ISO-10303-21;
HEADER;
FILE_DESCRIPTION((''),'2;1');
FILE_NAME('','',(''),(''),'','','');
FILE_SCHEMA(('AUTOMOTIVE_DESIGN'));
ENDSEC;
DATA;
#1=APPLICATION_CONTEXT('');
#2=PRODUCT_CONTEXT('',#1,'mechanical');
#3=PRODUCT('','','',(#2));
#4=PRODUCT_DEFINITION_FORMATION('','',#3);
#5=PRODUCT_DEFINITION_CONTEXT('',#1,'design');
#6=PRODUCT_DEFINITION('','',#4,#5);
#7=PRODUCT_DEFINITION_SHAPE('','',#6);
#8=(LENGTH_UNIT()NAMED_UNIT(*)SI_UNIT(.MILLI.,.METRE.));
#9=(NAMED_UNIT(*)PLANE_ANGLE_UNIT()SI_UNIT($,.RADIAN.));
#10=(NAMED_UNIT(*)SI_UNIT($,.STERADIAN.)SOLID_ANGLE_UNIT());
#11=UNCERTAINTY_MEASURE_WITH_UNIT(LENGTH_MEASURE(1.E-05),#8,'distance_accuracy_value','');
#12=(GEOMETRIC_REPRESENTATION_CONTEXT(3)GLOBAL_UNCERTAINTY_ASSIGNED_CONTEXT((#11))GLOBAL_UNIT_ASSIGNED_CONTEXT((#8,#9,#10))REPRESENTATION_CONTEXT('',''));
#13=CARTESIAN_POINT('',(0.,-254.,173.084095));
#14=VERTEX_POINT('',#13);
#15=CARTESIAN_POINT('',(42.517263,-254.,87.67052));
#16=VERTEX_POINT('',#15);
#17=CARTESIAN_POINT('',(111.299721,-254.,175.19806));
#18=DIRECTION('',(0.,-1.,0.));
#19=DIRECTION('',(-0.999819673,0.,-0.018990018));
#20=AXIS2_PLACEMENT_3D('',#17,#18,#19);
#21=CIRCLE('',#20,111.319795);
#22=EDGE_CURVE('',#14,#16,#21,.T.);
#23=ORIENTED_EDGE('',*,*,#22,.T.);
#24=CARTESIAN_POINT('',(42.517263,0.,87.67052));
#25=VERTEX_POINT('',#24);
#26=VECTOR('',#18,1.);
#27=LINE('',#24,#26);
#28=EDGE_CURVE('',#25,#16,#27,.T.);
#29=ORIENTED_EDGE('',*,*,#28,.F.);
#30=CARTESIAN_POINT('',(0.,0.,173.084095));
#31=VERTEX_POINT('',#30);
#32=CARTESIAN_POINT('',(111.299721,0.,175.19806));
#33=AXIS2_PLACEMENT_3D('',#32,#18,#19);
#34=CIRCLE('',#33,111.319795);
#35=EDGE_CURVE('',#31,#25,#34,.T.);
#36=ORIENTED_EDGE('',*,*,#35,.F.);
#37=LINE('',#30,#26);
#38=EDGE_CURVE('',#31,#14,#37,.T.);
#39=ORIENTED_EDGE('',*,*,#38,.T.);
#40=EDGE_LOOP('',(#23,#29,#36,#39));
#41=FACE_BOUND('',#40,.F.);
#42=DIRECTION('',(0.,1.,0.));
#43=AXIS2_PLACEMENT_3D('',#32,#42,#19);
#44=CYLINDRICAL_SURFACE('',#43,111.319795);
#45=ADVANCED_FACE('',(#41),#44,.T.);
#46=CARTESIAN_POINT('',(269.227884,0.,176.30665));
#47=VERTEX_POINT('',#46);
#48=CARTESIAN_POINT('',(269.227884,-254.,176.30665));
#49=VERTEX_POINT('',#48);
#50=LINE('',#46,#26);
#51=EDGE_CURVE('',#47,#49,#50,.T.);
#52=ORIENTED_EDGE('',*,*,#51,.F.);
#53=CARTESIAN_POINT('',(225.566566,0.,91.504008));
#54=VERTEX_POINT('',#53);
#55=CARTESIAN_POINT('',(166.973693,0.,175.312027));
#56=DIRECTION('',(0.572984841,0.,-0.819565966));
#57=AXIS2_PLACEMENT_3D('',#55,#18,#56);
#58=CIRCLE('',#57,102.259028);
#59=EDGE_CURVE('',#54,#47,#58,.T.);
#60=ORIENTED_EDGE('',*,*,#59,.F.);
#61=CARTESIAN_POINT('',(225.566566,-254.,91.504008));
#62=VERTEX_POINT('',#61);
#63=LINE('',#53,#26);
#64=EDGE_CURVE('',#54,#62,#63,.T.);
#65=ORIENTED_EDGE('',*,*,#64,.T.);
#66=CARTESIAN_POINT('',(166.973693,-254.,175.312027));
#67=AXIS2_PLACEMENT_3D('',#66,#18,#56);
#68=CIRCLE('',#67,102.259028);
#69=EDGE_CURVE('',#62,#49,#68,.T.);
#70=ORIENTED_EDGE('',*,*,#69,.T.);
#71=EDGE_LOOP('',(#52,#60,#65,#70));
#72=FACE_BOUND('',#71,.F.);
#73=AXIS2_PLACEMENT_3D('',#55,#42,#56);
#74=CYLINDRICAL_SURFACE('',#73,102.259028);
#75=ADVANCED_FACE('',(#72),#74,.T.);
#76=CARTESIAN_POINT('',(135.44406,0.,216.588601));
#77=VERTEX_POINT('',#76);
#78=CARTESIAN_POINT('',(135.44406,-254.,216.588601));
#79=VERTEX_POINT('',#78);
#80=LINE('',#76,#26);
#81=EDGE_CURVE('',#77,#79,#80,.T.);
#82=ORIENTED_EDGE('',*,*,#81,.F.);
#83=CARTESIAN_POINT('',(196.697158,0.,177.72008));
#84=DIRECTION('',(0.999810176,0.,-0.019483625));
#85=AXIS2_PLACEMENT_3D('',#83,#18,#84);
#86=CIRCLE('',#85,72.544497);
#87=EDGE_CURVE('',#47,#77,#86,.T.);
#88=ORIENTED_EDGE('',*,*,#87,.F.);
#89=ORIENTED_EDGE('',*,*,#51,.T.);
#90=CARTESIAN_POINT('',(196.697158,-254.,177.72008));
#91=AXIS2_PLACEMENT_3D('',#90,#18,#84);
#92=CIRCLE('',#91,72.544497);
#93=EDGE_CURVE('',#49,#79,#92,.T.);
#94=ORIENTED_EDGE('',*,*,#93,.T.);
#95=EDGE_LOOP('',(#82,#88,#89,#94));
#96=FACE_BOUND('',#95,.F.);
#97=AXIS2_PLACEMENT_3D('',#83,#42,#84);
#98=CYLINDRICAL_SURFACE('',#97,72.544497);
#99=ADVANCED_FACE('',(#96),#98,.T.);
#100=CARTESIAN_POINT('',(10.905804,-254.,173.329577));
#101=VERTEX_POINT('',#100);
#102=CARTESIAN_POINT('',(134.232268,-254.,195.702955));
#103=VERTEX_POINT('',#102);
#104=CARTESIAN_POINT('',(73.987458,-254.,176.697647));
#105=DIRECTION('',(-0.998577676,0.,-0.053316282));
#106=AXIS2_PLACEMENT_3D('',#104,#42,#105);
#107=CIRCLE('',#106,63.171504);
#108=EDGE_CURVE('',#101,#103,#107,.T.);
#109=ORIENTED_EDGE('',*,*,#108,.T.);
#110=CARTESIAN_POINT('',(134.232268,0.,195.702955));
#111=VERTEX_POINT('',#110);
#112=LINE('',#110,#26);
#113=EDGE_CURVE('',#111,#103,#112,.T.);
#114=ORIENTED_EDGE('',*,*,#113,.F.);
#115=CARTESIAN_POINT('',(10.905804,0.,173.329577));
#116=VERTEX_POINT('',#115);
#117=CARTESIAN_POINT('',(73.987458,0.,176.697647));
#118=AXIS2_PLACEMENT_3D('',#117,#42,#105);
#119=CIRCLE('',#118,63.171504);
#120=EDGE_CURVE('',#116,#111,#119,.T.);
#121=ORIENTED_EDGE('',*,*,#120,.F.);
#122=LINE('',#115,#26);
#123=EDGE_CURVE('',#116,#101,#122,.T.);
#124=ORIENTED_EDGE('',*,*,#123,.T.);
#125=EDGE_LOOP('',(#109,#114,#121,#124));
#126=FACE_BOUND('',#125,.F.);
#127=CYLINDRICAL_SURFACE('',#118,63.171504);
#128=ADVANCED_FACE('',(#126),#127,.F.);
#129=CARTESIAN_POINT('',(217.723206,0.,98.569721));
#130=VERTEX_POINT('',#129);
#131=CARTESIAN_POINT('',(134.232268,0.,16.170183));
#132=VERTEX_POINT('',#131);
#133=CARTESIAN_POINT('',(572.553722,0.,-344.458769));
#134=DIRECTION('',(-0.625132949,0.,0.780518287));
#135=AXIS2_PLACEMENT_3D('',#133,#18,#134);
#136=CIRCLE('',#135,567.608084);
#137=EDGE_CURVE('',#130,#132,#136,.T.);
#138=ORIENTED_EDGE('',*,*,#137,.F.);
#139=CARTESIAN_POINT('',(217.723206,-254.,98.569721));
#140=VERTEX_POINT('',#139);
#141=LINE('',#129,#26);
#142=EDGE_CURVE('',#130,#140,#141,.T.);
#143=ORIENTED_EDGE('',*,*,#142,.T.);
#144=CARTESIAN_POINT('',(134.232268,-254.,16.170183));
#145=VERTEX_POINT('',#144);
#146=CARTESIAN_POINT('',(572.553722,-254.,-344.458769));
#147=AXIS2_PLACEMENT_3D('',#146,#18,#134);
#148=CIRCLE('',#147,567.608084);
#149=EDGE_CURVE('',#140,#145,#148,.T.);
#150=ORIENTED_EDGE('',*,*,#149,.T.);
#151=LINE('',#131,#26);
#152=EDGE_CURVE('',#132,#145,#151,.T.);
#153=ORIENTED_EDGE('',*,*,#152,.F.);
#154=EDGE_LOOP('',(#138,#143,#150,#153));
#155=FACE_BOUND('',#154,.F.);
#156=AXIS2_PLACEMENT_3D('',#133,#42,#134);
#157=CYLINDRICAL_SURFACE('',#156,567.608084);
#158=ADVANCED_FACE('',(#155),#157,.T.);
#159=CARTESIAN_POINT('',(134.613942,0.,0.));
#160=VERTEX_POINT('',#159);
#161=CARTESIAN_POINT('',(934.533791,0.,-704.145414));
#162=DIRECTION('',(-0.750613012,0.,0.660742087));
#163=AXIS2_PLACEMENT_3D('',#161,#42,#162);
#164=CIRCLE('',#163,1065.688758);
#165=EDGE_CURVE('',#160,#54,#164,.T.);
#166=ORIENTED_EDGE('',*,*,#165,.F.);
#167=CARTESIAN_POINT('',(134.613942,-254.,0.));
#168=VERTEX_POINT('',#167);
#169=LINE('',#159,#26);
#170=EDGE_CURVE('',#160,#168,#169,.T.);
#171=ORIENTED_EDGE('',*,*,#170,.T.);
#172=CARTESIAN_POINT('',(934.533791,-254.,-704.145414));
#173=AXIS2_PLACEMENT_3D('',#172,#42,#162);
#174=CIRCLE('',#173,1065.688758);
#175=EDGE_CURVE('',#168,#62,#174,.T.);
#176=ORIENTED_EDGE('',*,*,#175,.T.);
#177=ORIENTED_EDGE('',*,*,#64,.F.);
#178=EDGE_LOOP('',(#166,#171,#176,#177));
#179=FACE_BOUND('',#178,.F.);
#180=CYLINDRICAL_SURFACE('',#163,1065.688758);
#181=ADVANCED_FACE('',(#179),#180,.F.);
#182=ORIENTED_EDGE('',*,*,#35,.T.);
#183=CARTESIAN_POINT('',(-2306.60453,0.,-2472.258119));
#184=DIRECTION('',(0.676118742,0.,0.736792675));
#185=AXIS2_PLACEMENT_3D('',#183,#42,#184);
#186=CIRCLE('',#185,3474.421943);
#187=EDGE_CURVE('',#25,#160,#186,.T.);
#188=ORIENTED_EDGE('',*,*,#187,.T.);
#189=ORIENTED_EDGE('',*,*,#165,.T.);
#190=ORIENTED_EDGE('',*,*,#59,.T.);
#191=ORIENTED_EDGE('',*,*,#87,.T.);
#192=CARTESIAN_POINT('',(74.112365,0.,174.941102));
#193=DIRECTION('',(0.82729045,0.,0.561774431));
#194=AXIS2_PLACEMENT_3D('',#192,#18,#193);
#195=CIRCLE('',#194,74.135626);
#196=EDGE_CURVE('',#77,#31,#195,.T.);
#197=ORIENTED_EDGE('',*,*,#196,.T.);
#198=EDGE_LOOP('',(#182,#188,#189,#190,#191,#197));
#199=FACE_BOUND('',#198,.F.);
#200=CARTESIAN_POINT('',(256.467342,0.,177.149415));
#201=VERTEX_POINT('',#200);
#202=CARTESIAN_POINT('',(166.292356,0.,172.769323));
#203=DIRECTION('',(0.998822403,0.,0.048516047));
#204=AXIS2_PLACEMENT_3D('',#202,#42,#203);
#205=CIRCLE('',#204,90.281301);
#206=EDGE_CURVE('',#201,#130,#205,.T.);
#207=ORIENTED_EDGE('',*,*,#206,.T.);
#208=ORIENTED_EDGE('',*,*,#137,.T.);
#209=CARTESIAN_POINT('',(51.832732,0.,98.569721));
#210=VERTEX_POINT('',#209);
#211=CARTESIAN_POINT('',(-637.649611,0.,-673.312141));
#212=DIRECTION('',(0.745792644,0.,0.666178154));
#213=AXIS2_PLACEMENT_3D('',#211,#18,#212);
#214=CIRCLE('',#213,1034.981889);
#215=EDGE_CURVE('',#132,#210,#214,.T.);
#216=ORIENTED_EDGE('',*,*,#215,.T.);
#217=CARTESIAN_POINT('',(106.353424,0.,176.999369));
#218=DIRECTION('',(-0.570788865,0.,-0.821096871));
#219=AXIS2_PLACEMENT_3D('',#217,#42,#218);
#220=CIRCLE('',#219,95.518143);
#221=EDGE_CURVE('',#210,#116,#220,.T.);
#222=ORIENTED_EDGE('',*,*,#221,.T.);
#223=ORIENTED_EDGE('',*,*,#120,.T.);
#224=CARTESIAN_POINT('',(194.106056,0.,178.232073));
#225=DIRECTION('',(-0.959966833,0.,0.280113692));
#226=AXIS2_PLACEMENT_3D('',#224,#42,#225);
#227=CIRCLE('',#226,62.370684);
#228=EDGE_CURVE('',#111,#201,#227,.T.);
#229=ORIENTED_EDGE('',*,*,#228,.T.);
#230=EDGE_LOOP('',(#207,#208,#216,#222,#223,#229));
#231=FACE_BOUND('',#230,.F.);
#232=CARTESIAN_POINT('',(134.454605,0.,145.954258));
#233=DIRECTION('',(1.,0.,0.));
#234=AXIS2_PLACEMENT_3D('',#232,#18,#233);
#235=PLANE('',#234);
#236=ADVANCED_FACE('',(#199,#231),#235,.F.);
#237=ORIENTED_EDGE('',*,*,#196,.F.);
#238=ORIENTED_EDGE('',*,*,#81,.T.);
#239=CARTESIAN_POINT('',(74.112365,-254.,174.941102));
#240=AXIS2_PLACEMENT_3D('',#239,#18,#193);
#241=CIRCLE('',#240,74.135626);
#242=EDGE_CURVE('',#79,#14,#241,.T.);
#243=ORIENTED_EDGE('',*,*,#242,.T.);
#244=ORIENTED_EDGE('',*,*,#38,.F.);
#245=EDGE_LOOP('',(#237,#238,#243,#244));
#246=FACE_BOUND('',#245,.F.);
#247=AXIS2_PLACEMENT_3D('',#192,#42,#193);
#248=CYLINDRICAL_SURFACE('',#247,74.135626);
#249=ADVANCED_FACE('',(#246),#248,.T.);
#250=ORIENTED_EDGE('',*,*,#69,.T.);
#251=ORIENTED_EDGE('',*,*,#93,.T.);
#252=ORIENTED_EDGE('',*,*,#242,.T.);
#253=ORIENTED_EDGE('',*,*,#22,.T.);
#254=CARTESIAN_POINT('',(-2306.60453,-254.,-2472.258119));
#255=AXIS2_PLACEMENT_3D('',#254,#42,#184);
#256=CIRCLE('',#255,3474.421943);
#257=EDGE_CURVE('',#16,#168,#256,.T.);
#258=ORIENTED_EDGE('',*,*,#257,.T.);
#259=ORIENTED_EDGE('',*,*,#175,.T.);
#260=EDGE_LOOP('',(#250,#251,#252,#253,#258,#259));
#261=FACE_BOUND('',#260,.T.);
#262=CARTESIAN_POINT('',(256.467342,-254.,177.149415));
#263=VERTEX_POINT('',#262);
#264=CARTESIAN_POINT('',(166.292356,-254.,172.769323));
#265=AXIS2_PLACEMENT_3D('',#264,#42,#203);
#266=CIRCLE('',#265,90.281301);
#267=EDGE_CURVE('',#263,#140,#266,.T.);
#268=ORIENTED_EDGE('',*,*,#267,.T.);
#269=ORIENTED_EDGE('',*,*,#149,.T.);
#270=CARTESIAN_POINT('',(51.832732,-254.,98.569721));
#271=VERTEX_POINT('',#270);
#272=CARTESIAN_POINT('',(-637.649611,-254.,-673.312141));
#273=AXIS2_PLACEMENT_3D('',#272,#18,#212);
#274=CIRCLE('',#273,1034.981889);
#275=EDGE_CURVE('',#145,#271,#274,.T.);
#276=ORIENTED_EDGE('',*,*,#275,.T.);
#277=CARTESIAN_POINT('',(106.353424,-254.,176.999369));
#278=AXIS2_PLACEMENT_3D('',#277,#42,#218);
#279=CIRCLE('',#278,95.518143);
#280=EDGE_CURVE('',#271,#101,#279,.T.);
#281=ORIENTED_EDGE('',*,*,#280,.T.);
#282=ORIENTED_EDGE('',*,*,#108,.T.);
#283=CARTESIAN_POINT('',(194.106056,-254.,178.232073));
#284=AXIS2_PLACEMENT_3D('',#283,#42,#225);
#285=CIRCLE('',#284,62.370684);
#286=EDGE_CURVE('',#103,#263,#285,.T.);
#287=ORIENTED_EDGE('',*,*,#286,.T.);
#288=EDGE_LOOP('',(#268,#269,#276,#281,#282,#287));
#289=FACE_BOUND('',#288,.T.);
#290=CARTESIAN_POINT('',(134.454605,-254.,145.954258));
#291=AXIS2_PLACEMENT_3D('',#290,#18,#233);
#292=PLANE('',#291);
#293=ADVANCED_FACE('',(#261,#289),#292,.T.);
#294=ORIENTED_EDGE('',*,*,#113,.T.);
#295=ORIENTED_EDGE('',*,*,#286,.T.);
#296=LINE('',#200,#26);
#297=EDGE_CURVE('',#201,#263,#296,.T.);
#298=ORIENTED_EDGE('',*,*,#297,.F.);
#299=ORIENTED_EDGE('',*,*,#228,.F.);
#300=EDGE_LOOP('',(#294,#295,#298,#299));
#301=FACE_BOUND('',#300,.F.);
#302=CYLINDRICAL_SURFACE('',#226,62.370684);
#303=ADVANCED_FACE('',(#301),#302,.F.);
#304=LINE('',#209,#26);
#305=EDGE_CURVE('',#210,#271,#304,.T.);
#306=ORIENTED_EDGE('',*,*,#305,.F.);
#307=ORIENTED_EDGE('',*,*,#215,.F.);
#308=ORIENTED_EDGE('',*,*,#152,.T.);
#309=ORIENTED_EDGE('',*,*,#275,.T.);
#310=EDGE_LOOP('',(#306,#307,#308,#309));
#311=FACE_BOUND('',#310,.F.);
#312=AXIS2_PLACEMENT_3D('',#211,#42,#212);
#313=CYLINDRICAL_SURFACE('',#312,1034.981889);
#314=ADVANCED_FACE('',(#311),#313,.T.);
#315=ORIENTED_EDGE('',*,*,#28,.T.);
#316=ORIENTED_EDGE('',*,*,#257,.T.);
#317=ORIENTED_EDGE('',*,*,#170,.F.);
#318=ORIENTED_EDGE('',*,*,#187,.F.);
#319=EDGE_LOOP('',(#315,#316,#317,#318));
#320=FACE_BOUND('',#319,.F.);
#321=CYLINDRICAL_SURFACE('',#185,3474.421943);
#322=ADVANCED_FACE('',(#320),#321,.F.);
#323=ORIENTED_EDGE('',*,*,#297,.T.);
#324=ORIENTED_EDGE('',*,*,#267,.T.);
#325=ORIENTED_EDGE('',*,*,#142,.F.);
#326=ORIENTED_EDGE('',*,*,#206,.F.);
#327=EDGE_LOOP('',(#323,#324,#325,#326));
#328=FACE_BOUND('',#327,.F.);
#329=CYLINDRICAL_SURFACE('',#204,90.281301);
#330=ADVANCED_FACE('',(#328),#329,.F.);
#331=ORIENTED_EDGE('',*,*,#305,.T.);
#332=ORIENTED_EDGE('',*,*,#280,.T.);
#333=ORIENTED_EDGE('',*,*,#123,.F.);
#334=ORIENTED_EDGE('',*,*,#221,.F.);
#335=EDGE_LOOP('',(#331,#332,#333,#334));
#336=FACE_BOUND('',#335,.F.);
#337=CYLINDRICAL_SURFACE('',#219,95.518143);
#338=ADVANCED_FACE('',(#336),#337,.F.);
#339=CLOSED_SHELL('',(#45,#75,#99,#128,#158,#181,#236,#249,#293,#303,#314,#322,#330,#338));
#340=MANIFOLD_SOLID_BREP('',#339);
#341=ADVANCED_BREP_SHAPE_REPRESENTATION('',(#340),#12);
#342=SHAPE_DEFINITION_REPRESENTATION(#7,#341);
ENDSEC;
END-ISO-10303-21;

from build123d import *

# Parameters (mm, degrees)
F1_DEPTH = 254


with BuildPart() as f1:
    # F0 (on Front) → F1 (new body)
    with BuildSketch(Plane.XZ):
        with BuildLine():
            ThreePointArc((225.566566, 91.504008), (257.890229, 128.502922), (269.227884, 176.30665))
            ThreePointArc((269.227884, 176.30665), (217.612586, 247.184091), (135.44406, 216.588601))
            ThreePointArc((135.44406, 216.588601), (51.440865, 245.525053), (0, 173.084095))
            ThreePointArc((0, 173.084095), (11.643976, 125.591314), (42.517263, 87.67052))
            ThreePointArc((42.517263, 87.67052), (88.966695, 44.256602), (134.613942, 0))
            ThreePointArc((134.613942, 0), (178.704249, 47.129657), (225.566566, 91.504008))
        make_face()
        with BuildLine():
            ThreePointArc((134.232268, 195.702955), (203.46583, 239.896461), (256.467342, 177.149415))
            ThreePointArc((256.467342, 177.149415), (247.266088, 132.844794), (217.723206, 98.569721))
            ThreePointArc((217.723206, 98.569721), (173.843385, 59.532574), (134.232268, 16.170183))
            ThreePointArc((134.232268, 16.170183), (94.19311, 58.530562), (51.832732, 98.569721))
            ThreePointArc((51.832732, 98.569721), (22.568684, 131.131811), (10.905804, 173.329577))
            ThreePointArc((10.905804, 173.329577), (62.711202, 238.854585), (134.232268, 195.702955))
        make_face(mode=Mode.SUBTRACT)
    extrude(amount=F1_DEPTH)


solid = f1.part
